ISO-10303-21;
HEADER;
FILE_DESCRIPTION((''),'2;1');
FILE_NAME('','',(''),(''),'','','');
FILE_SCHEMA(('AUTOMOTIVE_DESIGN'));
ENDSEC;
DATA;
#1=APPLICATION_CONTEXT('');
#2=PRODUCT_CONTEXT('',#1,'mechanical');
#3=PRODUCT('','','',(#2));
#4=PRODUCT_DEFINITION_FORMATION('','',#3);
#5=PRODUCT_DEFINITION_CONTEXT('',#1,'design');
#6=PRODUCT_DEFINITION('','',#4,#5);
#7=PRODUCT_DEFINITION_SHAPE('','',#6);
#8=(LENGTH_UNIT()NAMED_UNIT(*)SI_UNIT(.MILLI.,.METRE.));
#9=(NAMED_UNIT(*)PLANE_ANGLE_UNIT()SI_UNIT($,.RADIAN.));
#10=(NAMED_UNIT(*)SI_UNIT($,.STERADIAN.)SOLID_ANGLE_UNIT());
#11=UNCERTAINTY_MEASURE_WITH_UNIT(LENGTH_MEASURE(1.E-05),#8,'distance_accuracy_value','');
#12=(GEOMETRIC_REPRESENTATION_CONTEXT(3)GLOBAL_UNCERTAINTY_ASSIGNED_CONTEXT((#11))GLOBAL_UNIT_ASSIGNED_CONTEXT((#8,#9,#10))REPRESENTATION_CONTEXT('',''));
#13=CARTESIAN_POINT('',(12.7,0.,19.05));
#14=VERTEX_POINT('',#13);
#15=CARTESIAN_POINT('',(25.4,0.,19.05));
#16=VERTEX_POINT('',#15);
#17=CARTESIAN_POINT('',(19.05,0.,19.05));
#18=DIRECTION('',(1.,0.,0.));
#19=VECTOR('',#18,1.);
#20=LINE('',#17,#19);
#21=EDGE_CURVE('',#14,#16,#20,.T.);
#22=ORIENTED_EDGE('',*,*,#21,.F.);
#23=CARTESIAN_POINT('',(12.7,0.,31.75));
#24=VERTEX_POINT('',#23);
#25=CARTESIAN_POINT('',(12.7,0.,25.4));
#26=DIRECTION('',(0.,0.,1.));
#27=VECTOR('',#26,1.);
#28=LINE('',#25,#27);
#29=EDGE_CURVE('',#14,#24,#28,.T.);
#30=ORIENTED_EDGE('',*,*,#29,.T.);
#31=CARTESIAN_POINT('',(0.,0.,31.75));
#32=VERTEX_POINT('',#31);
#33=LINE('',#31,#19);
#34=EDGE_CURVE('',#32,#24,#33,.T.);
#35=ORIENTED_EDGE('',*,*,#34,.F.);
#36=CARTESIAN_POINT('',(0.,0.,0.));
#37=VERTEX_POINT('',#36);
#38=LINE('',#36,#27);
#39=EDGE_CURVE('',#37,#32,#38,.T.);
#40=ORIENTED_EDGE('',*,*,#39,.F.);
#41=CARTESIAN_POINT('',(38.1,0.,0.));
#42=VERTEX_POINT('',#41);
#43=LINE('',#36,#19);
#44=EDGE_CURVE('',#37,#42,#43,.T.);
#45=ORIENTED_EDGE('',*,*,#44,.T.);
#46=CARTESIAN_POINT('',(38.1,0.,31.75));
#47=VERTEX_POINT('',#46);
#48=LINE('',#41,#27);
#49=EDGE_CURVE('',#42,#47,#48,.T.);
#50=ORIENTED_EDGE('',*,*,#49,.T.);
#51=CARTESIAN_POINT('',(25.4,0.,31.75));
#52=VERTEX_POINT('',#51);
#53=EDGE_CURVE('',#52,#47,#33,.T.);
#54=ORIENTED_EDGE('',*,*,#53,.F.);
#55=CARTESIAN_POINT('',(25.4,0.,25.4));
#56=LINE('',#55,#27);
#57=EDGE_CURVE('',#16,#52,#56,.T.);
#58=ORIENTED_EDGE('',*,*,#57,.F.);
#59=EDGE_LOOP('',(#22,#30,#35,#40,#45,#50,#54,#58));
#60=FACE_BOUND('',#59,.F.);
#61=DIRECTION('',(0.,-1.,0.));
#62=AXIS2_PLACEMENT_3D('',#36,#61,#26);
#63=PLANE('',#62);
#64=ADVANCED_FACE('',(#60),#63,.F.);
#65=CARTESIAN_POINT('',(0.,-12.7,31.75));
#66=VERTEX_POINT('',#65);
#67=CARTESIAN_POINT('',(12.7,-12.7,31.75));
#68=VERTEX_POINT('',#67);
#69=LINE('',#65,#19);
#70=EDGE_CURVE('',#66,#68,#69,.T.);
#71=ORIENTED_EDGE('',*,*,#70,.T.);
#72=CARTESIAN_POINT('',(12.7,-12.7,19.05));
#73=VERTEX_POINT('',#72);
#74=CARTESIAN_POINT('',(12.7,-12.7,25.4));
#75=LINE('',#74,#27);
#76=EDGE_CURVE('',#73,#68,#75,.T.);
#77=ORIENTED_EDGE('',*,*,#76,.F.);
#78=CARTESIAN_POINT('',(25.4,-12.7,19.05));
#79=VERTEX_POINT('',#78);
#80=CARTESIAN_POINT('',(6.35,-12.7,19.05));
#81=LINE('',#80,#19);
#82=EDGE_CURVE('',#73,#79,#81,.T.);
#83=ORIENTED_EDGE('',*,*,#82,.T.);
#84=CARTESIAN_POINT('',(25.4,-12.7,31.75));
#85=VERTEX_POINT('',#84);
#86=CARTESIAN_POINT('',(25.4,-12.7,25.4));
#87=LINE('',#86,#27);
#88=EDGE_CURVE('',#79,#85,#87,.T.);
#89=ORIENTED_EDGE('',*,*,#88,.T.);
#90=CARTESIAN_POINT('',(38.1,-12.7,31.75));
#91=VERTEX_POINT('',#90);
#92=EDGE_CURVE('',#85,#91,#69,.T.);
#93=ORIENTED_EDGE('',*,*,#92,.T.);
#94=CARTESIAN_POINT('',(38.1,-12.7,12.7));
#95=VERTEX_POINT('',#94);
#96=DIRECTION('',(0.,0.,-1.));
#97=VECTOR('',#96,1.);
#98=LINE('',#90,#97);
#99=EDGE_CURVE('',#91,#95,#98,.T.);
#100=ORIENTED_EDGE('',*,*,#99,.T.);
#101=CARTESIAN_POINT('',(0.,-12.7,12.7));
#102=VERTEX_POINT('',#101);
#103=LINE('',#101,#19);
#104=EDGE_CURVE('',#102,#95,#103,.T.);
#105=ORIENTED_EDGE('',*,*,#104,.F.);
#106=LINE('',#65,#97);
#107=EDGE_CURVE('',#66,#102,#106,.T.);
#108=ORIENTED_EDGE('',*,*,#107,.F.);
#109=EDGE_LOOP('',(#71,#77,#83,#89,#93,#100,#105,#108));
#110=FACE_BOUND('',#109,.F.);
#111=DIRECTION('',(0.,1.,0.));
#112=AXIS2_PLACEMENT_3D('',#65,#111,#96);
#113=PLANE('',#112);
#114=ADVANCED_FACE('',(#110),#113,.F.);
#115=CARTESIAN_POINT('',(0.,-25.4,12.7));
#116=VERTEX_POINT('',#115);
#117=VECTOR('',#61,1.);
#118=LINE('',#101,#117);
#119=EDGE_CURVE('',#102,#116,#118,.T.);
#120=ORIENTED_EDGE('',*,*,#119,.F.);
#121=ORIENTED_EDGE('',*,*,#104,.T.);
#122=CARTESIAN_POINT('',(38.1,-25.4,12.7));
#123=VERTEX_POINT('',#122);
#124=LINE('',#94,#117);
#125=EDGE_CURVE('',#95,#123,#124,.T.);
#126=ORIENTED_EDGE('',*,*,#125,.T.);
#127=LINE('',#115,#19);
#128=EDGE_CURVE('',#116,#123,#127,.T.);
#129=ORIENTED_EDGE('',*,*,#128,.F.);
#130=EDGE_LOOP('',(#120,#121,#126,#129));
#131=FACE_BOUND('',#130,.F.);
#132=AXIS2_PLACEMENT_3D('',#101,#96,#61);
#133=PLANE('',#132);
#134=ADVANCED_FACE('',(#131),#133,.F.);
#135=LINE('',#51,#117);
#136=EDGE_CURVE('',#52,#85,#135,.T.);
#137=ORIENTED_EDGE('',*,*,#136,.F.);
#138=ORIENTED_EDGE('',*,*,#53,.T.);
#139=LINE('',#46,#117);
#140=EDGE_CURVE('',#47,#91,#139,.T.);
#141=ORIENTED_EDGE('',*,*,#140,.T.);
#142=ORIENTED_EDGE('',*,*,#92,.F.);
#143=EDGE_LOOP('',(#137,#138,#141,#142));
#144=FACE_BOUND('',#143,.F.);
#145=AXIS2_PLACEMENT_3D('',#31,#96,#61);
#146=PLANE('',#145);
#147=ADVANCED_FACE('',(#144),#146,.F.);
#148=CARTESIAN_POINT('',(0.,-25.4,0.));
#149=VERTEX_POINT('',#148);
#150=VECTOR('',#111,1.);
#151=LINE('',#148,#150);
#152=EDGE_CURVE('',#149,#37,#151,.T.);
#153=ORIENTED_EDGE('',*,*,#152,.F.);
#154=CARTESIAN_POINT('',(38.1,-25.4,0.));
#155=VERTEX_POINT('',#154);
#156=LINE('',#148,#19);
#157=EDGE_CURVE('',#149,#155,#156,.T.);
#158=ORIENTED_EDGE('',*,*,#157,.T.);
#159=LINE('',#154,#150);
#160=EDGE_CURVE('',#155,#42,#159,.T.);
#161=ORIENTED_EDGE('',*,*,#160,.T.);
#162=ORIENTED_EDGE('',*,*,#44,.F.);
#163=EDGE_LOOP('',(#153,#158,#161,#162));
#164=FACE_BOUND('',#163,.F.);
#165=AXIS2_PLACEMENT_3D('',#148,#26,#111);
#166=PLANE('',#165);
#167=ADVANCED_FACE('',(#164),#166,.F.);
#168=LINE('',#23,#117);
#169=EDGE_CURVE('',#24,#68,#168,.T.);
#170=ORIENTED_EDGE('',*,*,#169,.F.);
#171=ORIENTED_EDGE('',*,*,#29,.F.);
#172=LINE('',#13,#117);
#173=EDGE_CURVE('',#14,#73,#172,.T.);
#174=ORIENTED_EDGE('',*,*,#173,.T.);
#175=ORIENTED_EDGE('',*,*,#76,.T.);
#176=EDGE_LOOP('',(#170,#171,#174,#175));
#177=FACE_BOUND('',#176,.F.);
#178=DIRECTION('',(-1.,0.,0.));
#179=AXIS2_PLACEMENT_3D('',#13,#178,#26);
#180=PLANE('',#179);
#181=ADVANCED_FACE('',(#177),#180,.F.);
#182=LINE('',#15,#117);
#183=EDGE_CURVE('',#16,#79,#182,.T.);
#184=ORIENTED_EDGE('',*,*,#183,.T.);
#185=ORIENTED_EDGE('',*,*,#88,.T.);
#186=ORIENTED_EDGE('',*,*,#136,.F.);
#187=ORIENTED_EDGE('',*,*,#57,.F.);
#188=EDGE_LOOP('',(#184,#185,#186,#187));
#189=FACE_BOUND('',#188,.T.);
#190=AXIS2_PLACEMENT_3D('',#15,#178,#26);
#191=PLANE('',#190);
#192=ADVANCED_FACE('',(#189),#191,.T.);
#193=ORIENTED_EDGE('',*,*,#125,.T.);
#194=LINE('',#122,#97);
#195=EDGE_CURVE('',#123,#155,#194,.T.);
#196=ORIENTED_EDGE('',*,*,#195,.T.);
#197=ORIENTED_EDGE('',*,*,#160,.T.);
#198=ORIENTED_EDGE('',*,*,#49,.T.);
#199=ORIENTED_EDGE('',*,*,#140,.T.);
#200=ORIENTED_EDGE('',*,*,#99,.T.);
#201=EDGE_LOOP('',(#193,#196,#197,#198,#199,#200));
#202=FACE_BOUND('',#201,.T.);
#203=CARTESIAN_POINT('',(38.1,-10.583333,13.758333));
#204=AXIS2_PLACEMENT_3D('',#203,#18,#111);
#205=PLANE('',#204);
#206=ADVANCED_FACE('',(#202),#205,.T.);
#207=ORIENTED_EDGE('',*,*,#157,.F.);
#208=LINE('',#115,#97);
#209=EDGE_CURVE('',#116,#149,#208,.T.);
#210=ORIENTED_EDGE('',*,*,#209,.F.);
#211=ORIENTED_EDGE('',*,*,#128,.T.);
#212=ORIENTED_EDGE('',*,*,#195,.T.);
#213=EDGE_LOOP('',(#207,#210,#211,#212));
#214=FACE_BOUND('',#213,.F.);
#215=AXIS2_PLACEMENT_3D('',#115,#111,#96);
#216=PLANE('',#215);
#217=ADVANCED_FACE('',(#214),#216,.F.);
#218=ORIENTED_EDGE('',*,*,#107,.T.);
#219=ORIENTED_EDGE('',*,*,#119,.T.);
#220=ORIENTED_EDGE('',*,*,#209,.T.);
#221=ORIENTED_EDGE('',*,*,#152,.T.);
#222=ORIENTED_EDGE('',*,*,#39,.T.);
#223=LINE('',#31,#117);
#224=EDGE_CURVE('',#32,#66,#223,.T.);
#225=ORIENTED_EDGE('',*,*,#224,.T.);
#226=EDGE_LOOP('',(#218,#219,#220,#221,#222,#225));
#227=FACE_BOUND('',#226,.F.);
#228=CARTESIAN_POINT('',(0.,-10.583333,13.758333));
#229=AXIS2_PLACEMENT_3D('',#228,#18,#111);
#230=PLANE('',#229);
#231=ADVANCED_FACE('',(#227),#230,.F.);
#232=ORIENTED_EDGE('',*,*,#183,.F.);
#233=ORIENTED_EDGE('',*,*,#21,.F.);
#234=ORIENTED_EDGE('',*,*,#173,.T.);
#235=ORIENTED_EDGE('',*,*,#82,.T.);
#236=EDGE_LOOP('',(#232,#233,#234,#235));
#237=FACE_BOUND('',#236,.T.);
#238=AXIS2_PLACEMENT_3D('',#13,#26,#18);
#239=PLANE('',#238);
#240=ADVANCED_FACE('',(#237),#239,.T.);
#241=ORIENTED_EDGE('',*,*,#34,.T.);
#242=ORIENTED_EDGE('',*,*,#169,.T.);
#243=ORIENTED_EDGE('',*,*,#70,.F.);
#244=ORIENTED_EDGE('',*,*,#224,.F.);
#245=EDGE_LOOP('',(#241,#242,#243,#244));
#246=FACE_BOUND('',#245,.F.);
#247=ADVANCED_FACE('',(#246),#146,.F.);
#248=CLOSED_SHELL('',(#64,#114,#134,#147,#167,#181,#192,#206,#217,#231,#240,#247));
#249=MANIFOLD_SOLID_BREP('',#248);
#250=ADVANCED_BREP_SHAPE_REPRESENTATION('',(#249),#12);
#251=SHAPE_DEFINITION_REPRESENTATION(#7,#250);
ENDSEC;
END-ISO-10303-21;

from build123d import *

# Parameters (mm, degrees)
F1_DEPTH = 38.1
F2_W     = 12.7
F2_H     = 12.7
F3_DEPTH = 228.6


with BuildPart() as f1:
    # F0 (on Right) → F1 (new body)
    with BuildSketch(Plane.YZ):
        Polygon((-25.4, 0), (0, 0), (0, 31.75), (-12.7, 31.75), (-12.7, 12.7), (-25.4, 12.7), align=None)
    extrude(amount=F1_DEPTH)

    # F2 (on Front) → F3 (cut)
    with BuildSketch(Plane.XZ):
        with Locations((19.05, 25.4)):
            Rectangle(F2_W, F2_H)
    extrude(amount=F3_DEPTH, mode=Mode.SUBTRACT)


solid = f1.part
